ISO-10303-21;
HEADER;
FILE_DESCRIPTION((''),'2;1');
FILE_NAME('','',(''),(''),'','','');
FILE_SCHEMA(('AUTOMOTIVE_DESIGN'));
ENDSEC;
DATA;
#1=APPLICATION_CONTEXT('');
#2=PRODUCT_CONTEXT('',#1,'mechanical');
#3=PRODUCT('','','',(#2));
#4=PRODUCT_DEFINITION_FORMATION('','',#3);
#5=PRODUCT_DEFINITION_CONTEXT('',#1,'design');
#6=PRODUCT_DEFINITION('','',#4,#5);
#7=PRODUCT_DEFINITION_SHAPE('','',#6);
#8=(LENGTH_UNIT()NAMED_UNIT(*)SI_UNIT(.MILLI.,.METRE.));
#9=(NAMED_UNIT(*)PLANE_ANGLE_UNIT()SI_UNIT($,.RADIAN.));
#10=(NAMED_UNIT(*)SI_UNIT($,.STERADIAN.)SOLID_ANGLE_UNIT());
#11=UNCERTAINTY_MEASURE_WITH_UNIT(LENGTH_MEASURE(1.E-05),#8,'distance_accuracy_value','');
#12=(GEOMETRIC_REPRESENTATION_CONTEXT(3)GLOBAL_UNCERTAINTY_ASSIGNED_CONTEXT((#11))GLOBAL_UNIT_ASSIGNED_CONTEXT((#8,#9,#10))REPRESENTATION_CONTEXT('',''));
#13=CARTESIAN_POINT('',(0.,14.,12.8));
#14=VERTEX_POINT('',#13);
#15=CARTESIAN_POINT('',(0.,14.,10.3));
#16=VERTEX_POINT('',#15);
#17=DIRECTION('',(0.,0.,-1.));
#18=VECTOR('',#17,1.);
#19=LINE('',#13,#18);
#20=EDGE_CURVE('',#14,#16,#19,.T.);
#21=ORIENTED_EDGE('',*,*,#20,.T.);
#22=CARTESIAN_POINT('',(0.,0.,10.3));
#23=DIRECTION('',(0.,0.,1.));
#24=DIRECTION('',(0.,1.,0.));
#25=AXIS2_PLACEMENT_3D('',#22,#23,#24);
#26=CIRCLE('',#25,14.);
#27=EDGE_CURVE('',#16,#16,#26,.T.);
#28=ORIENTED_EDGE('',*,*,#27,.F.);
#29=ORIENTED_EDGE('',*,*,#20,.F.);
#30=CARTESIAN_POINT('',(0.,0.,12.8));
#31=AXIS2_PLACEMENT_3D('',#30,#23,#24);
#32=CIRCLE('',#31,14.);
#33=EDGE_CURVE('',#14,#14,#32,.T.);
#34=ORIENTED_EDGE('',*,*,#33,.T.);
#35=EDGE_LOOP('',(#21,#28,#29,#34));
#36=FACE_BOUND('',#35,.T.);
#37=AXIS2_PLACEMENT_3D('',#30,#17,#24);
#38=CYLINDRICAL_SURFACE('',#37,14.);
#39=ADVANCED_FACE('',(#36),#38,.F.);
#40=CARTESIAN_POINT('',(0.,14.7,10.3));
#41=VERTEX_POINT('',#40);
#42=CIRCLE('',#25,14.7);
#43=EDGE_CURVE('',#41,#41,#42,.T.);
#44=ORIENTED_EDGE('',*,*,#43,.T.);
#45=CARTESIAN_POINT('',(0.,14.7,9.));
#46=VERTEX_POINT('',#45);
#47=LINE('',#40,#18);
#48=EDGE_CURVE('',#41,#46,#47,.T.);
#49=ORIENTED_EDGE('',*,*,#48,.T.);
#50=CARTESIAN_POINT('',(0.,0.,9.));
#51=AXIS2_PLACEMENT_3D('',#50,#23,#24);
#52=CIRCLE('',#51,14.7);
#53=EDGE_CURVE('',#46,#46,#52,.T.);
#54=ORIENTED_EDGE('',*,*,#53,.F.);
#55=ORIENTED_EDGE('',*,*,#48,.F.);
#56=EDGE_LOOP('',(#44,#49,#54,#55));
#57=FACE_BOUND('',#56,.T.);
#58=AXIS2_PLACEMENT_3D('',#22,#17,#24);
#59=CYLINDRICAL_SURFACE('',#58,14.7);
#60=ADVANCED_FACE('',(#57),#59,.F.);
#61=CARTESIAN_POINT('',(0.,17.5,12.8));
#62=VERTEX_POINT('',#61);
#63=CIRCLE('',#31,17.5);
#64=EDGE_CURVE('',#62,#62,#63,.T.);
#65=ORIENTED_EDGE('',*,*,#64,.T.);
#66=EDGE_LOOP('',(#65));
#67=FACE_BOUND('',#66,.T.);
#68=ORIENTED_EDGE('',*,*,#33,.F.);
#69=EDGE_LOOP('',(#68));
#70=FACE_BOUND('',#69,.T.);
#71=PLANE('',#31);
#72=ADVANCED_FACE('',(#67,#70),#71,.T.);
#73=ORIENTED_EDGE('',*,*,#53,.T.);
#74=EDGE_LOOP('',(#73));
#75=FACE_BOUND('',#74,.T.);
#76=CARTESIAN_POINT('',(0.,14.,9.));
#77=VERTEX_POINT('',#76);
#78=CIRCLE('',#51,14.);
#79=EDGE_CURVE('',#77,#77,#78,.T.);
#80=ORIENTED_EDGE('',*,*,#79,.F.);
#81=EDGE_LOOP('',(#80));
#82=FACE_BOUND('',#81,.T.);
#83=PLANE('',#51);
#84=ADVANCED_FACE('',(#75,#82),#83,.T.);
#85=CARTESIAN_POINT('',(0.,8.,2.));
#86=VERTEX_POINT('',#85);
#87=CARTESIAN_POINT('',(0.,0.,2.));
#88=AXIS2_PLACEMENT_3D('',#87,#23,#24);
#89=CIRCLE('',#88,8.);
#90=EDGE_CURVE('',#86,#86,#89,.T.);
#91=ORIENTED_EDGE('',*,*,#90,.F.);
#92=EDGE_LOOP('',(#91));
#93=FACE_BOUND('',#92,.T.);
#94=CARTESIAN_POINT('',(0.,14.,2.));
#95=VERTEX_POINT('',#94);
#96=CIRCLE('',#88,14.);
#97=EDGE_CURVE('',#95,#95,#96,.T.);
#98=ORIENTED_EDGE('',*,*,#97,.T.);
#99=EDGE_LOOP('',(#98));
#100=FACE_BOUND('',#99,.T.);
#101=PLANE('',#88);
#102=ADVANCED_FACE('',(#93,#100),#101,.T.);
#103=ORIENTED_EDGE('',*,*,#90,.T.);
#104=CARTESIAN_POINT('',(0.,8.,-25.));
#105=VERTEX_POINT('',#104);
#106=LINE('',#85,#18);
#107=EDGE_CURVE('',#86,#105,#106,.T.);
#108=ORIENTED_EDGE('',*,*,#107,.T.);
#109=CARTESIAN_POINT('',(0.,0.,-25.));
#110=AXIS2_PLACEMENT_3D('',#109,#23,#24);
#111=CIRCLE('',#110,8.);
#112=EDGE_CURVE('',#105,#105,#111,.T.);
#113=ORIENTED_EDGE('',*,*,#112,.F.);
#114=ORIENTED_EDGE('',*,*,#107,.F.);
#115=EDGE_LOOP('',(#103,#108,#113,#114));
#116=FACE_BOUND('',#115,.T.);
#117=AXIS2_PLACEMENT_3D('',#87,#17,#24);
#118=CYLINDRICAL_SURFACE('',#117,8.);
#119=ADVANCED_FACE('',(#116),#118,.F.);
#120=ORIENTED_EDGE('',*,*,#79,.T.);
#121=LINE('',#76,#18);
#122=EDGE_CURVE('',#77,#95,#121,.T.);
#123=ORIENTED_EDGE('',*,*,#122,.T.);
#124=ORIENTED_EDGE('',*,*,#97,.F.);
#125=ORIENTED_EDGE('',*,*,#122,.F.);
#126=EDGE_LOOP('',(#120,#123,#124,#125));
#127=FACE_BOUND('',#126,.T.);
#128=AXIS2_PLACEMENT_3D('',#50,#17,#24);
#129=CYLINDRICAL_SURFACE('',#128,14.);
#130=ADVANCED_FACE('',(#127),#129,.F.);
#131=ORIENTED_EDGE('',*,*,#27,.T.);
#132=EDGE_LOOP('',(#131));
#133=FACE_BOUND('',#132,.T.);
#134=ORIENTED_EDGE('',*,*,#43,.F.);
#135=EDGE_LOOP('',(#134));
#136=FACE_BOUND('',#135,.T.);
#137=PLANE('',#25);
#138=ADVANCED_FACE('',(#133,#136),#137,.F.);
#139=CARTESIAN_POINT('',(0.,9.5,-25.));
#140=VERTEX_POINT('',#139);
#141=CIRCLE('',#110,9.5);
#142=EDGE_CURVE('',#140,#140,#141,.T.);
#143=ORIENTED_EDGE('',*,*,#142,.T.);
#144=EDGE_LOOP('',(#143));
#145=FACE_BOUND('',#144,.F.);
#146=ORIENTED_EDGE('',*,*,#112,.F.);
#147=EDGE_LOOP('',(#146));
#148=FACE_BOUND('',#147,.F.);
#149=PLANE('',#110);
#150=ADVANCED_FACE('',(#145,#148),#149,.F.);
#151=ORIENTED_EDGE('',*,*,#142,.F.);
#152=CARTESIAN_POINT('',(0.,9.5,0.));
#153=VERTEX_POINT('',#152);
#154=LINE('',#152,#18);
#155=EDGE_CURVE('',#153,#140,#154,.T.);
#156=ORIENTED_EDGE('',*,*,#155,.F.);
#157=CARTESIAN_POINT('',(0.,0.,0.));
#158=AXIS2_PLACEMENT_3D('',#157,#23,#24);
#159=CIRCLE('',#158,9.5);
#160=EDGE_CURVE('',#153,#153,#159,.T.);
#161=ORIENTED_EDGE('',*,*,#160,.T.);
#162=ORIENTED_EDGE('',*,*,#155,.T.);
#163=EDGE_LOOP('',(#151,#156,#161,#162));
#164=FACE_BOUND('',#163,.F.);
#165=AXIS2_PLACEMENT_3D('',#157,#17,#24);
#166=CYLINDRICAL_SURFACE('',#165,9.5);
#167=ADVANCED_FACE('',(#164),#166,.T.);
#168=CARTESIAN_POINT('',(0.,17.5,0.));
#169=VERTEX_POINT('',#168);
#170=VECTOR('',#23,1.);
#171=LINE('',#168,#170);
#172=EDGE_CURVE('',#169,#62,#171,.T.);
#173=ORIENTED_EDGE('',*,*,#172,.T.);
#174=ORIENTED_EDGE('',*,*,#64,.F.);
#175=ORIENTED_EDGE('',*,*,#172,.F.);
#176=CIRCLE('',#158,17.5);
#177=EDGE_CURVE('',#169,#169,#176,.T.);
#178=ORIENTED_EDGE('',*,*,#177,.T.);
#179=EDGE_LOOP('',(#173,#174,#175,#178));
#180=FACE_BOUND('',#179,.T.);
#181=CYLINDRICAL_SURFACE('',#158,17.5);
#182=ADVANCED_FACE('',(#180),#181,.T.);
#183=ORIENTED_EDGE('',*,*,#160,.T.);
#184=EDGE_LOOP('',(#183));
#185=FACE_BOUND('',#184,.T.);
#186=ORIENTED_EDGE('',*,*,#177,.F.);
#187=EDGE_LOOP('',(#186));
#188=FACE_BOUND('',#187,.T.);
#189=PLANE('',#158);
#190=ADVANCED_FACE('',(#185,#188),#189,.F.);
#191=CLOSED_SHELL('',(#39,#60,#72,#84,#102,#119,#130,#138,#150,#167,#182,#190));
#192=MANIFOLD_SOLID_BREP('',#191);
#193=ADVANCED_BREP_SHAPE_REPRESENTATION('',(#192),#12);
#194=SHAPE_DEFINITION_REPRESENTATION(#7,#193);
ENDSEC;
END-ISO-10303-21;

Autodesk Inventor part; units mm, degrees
ref_plane "YZ Plane" through (0, 0, 0) normal (1, 0, 0) x (0, 1, 0)
ref_plane "XZ Plane" through (0, 0, 0) normal (0, 1, 0) x (-1, 0, 0)
ref_plane "XY Plane" through (0, 0, 0) normal (0, 0, 1) x (1, 0, 0)
sketch "Sketch5" plane through (0, 0, 0) normal (1, 0, 0) x (0, 1, 0)
  line L0 (0, 0) -> (17.5, 0)
  line L1 (17.5, 0) -> (17.5, 12.8)
  line L2 (17.5, 12.8) -> (14, 12.8)
  line L3 (14, 12.8) -> (14, 10.3)
  line L4 (14, 10.3) -> (14.7, 10.3)
  line L5 (14.7, 10.3) -> (14.7, 9)
  line L6 (14.7, 9) -> (14, 9)
  line L7 (14, 9) -> (14, 2)
  line L8 (14, 2) -> (8, 2)
  line L9 (8, 2) -> (8, 0)
  line L10 (0, 0) -> (0, 12.8)
  line L11 (9.5, 0) -> (9.5, -25)
  line L12 (9.5, -25) -> (0, -25)
  line L13 (0, -25) -> (0, 0)
  line L14 (8, -25) -> (8, 0)
  dimension "d19" = 17.5
  dimension "d20" = 2.5
  dimension "d21" = 1.3
  dimension "d22" = 7
  dimension "d23" = 2
  dimension "d24" = 14.7
  dimension "d25" = 14
  dimension "d26" = 8
  dimension "d28" = 25
  dimension "d29" = 9.5
  dimension "d30" = 8
revolve "Revolution1" add sketch "Sketch5" angle 360 about axis through (0, 0, 0) along (0, 0, 1) contours L9 L8 L7 L6 L5 L4 L3 L2 L1 L0 | L0 L11 L12 L14
properties part number "P502" material "Aluminum 6061"
